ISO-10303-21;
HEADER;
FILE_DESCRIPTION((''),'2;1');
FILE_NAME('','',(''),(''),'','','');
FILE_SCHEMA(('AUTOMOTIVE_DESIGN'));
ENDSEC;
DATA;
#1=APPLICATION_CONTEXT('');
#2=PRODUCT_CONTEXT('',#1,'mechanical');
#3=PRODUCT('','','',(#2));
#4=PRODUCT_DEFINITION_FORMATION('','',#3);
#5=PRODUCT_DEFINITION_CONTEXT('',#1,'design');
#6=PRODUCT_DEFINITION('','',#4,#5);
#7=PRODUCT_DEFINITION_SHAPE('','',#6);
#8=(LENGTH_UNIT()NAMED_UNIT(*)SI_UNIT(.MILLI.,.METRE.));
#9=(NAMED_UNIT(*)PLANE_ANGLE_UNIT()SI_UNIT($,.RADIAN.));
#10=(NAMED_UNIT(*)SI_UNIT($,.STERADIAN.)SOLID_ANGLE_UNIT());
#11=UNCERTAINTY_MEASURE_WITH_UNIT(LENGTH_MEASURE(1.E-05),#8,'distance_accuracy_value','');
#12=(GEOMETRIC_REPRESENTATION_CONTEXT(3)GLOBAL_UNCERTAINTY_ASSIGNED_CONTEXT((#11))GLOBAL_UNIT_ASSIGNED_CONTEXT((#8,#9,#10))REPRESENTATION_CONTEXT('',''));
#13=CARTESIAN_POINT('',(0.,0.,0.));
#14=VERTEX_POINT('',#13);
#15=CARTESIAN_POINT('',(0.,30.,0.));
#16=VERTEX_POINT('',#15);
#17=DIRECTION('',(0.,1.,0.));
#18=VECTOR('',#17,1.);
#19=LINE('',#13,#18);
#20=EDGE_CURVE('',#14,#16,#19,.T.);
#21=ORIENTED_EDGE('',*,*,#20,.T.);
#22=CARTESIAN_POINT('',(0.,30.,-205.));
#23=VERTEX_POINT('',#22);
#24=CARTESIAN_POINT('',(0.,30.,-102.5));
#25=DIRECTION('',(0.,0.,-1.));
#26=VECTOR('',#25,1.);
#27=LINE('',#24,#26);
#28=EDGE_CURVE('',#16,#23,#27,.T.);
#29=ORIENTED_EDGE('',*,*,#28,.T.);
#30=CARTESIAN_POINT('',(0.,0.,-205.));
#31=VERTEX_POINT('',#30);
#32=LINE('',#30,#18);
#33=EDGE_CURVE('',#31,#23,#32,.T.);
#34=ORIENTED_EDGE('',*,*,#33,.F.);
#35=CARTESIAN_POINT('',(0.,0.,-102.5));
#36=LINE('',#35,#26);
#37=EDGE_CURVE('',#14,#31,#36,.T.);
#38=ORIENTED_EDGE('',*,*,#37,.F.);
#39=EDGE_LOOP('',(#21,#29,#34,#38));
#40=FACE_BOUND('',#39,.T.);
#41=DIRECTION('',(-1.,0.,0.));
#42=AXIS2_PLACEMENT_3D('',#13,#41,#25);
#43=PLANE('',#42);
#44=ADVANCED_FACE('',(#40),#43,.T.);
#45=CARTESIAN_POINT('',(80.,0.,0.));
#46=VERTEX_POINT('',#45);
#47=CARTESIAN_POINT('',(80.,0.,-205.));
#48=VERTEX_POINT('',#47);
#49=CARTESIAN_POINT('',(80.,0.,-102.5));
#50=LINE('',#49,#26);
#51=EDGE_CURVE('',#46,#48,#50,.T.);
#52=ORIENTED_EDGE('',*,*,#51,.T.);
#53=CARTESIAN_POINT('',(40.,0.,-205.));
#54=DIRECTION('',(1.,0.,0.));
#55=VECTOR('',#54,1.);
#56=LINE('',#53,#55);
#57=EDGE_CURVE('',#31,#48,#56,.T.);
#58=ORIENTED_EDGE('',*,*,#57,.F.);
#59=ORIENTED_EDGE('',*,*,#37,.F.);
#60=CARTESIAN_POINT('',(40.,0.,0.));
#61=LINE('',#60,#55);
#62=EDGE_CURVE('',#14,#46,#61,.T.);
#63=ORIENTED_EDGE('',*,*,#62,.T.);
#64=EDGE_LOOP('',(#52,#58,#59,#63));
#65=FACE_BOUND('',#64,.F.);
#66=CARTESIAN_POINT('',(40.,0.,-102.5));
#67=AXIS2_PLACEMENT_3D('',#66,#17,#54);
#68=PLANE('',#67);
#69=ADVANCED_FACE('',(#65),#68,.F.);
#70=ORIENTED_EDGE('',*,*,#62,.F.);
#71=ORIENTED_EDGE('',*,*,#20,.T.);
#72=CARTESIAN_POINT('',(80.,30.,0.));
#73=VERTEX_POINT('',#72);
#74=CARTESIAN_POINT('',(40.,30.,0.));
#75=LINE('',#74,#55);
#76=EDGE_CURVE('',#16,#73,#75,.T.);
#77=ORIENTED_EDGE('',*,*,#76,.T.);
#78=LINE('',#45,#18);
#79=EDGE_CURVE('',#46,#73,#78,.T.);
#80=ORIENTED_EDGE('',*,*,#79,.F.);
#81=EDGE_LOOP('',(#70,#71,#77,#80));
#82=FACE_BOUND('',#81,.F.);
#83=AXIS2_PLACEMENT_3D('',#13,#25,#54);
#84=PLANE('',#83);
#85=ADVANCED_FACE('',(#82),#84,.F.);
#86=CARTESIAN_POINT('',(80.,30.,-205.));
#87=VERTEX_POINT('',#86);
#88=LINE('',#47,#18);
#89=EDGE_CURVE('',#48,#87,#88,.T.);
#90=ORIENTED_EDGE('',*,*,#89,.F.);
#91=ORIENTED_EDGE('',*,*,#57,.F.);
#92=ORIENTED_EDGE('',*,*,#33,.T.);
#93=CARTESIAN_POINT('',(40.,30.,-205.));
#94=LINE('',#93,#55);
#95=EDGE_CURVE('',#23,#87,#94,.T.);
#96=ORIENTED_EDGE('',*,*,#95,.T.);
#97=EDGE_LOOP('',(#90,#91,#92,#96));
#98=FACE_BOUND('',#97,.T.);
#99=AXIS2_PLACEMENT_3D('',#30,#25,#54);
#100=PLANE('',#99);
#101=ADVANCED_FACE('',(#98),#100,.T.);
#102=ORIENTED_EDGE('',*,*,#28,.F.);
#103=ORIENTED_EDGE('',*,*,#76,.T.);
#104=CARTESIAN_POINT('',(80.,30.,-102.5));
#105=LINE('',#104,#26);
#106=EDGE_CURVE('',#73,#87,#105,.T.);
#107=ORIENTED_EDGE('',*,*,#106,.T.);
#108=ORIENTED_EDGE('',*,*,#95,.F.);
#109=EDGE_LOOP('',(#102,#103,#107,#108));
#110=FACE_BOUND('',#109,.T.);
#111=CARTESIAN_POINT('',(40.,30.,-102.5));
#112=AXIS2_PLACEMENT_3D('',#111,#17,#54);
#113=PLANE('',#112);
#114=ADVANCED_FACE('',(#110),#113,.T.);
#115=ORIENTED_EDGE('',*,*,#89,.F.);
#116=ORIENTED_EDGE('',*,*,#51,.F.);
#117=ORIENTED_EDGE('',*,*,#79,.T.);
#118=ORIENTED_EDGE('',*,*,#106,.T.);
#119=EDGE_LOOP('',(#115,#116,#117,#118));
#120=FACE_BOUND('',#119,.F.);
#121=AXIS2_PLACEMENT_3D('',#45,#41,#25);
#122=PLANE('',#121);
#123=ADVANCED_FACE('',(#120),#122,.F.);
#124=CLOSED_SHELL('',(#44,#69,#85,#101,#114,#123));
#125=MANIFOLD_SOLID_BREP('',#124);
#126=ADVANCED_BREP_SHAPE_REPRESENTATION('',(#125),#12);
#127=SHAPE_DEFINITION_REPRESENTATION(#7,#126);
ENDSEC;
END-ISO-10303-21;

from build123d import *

# Parameters (mm, degrees)
SKETCH_1_W      = 80
SKETCH_1_H      = 205
EXTRUDE_1_DEPTH = 30


with BuildPart() as part:
    # Эскиз1 → Бобышка-Вытянуть1 (new body)
    with BuildSketch(Plane(origin=(0, 0, 0), x_dir=(1, 0, 0), z_dir=(0, 1, 0))):
        with Locations((40, 102.5)):
            Rectangle(SKETCH_1_W, SKETCH_1_H)
    extrude(amount=EXTRUDE_1_DEPTH)


solid = part.part
